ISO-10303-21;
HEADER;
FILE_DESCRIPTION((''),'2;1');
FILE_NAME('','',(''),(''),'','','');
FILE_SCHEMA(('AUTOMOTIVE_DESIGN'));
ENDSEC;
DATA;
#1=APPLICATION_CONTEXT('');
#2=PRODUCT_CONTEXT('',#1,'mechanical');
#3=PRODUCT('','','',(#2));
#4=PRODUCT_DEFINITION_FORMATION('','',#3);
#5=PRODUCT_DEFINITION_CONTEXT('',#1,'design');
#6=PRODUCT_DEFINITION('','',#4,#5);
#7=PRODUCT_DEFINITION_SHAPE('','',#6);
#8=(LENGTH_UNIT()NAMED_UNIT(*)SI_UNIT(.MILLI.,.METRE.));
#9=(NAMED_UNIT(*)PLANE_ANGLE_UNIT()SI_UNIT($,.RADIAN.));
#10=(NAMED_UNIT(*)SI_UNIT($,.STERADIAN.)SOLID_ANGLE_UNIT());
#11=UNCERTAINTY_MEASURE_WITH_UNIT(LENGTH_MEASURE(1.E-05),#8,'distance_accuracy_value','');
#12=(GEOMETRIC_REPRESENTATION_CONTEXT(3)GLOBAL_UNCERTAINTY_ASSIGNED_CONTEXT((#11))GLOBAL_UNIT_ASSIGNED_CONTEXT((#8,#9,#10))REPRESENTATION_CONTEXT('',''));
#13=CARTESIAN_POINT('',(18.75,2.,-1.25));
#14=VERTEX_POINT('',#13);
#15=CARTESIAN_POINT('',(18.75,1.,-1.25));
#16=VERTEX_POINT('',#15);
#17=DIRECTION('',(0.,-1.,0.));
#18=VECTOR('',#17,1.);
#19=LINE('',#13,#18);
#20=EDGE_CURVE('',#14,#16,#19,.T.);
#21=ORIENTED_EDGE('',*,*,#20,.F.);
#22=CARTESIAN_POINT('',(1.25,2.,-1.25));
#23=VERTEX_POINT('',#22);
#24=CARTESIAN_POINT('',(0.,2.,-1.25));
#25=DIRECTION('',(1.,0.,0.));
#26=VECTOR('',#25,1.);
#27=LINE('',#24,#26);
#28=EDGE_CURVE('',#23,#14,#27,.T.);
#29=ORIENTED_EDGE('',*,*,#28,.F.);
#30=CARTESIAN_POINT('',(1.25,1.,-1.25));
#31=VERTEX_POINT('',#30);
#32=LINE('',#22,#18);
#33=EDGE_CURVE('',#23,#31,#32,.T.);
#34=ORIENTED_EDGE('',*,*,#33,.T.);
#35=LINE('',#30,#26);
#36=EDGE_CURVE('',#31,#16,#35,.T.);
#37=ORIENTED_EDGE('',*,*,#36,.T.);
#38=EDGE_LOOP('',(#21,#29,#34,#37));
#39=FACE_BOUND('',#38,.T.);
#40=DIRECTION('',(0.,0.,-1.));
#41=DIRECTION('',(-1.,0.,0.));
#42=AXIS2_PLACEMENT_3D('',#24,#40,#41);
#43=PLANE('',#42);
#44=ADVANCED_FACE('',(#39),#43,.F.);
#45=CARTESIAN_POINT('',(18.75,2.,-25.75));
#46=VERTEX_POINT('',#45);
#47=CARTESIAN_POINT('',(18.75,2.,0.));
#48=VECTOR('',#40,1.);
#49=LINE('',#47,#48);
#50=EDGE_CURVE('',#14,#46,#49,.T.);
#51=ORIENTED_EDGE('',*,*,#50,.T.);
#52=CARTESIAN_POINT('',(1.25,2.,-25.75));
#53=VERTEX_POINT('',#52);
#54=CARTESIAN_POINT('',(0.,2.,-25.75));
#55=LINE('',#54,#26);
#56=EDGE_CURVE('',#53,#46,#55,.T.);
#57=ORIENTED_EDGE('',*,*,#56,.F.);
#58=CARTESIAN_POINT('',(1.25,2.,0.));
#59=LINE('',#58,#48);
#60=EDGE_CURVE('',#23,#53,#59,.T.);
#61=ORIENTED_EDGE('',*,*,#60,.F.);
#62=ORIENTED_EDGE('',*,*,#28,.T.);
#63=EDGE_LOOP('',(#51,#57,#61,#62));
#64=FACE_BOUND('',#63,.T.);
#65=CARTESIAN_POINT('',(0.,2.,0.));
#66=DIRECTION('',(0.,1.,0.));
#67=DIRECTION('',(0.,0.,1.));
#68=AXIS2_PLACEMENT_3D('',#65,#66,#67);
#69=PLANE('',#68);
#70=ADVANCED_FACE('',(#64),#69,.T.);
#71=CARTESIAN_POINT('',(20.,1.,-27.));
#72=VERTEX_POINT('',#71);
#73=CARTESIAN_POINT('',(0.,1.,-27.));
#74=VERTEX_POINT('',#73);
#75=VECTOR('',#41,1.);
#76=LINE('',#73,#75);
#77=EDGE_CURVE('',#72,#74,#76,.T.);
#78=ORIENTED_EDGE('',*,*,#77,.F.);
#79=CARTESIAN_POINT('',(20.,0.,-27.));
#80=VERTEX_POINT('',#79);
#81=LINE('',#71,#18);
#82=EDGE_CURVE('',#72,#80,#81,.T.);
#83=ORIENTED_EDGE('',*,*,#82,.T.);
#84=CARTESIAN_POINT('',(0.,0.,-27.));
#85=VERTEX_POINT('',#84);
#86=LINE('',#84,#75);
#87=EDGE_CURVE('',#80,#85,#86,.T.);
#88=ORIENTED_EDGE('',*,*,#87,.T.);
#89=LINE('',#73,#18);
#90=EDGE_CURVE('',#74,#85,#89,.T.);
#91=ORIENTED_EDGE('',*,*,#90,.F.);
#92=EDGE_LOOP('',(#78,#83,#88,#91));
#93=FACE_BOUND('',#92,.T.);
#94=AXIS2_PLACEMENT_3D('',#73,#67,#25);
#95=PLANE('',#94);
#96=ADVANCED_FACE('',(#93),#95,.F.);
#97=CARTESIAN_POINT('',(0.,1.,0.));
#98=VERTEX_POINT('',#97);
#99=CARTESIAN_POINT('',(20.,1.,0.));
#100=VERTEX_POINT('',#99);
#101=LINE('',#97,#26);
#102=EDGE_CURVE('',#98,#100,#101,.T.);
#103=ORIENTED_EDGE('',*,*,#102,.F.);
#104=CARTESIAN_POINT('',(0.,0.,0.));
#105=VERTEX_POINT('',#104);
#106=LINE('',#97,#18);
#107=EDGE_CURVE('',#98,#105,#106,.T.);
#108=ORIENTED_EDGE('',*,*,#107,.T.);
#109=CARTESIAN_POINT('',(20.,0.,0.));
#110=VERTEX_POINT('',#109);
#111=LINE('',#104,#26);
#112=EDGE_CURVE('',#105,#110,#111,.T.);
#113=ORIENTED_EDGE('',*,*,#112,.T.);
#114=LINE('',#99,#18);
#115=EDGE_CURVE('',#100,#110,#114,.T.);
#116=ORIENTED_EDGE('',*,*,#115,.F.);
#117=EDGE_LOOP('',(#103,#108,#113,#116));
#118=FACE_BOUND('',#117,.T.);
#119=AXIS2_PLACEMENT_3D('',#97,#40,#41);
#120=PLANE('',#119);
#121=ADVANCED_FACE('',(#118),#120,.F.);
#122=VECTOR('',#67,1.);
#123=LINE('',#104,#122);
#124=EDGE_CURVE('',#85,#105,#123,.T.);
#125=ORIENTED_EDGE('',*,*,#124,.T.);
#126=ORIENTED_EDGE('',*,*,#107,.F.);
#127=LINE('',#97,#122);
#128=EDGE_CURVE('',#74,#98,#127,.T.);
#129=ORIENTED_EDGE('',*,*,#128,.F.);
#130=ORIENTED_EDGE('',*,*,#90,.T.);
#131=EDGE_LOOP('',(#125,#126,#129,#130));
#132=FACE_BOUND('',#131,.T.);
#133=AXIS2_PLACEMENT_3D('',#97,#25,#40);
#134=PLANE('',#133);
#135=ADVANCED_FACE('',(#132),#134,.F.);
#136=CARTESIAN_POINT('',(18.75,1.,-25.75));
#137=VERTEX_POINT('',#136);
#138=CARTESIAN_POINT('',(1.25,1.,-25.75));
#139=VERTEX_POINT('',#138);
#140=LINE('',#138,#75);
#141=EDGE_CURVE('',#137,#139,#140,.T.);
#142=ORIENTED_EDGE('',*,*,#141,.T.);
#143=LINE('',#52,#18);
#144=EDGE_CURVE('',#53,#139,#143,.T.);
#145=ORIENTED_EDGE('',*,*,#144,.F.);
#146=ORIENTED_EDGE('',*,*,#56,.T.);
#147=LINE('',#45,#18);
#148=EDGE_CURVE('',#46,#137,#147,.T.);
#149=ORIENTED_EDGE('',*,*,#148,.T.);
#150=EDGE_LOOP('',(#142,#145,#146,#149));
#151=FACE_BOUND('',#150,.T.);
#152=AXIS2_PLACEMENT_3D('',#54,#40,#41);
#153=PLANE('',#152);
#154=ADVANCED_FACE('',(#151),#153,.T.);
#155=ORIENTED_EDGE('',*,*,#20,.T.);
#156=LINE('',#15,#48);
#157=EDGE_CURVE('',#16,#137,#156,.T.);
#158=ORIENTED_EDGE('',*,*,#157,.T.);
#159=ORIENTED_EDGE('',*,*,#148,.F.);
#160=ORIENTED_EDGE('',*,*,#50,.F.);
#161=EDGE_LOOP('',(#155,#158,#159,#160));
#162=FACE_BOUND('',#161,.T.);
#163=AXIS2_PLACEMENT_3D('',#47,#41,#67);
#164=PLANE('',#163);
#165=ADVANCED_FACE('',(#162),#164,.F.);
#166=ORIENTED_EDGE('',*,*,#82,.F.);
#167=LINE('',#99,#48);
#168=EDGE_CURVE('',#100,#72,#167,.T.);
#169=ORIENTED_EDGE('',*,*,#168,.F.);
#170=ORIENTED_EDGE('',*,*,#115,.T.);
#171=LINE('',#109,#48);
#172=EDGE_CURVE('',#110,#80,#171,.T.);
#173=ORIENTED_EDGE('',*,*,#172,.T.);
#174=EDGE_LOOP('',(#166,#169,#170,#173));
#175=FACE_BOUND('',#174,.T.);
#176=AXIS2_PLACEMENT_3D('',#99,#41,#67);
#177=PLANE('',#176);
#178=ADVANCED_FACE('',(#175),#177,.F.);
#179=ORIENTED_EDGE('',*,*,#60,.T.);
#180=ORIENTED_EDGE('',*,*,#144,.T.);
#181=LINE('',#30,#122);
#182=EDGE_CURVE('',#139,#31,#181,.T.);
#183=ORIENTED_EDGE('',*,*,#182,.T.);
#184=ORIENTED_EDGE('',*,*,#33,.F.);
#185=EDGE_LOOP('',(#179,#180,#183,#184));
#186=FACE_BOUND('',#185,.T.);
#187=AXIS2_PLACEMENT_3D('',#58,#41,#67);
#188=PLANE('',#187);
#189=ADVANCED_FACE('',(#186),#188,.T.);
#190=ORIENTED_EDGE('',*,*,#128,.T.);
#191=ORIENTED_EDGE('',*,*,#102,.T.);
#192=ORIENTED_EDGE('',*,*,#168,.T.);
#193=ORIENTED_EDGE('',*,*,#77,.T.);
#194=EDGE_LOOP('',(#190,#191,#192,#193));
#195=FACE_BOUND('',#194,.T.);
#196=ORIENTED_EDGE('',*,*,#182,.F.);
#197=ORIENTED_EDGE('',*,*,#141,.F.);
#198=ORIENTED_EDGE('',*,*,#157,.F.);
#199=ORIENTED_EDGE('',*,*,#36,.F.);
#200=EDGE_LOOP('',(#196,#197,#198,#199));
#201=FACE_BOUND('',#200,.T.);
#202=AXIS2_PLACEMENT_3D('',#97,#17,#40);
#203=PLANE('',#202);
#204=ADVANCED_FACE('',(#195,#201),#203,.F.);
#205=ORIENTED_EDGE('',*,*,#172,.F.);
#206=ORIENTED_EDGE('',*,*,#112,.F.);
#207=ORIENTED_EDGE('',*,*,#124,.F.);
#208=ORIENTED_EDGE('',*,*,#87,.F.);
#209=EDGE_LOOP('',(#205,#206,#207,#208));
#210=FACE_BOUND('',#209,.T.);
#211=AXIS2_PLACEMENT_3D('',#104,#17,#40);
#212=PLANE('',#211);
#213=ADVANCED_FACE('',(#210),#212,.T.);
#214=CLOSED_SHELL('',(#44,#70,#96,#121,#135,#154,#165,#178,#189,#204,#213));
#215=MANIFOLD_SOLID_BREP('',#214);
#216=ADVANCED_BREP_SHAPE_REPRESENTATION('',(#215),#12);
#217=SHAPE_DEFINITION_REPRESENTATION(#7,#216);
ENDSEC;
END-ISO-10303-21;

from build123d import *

# Parameters (mm, degrees)
CROQUIS1_W              = 20
CROQUIS1_H              = 27
CROQUIS1_W_2            = 17.5
CROQUIS1_H_2            = 24.5
SALIENTE_EXTRUIR1_DEPTH = 1
CROQUIS1_2_W            = 17.5
CROQUIS1_2_H            = 24.5
SALIENTE_EXTRUIR2_DEPTH = 2


with BuildPart() as part:
    # Croquis1 → Saliente-Extruir1 (new body)
    with BuildSketch(Plane(origin=(0, 0, 0), x_dir=(1, 0, 0), z_dir=(0, 1, 0))):
        with Locations((10, 13.5)):
            Rectangle(CROQUIS1_W, CROQUIS1_H)
        with Locations((10, 13.5)):
            Rectangle(CROQUIS1_W_2, CROQUIS1_H_2, mode=Mode.SUBTRACT)
    extrude(amount=SALIENTE_EXTRUIR1_DEPTH)

    # Croquis1<2> → Saliente-Extruir2 (add)
    with BuildSketch(Plane(origin=(0, 0, 0), x_dir=(1, 0, 0), z_dir=(0, 1, 0))):
        with Locations((10, 13.5)):
            Rectangle(CROQUIS1_2_W, CROQUIS1_2_H)
    extrude(amount=SALIENTE_EXTRUIR2_DEPTH)


solid = part.part
